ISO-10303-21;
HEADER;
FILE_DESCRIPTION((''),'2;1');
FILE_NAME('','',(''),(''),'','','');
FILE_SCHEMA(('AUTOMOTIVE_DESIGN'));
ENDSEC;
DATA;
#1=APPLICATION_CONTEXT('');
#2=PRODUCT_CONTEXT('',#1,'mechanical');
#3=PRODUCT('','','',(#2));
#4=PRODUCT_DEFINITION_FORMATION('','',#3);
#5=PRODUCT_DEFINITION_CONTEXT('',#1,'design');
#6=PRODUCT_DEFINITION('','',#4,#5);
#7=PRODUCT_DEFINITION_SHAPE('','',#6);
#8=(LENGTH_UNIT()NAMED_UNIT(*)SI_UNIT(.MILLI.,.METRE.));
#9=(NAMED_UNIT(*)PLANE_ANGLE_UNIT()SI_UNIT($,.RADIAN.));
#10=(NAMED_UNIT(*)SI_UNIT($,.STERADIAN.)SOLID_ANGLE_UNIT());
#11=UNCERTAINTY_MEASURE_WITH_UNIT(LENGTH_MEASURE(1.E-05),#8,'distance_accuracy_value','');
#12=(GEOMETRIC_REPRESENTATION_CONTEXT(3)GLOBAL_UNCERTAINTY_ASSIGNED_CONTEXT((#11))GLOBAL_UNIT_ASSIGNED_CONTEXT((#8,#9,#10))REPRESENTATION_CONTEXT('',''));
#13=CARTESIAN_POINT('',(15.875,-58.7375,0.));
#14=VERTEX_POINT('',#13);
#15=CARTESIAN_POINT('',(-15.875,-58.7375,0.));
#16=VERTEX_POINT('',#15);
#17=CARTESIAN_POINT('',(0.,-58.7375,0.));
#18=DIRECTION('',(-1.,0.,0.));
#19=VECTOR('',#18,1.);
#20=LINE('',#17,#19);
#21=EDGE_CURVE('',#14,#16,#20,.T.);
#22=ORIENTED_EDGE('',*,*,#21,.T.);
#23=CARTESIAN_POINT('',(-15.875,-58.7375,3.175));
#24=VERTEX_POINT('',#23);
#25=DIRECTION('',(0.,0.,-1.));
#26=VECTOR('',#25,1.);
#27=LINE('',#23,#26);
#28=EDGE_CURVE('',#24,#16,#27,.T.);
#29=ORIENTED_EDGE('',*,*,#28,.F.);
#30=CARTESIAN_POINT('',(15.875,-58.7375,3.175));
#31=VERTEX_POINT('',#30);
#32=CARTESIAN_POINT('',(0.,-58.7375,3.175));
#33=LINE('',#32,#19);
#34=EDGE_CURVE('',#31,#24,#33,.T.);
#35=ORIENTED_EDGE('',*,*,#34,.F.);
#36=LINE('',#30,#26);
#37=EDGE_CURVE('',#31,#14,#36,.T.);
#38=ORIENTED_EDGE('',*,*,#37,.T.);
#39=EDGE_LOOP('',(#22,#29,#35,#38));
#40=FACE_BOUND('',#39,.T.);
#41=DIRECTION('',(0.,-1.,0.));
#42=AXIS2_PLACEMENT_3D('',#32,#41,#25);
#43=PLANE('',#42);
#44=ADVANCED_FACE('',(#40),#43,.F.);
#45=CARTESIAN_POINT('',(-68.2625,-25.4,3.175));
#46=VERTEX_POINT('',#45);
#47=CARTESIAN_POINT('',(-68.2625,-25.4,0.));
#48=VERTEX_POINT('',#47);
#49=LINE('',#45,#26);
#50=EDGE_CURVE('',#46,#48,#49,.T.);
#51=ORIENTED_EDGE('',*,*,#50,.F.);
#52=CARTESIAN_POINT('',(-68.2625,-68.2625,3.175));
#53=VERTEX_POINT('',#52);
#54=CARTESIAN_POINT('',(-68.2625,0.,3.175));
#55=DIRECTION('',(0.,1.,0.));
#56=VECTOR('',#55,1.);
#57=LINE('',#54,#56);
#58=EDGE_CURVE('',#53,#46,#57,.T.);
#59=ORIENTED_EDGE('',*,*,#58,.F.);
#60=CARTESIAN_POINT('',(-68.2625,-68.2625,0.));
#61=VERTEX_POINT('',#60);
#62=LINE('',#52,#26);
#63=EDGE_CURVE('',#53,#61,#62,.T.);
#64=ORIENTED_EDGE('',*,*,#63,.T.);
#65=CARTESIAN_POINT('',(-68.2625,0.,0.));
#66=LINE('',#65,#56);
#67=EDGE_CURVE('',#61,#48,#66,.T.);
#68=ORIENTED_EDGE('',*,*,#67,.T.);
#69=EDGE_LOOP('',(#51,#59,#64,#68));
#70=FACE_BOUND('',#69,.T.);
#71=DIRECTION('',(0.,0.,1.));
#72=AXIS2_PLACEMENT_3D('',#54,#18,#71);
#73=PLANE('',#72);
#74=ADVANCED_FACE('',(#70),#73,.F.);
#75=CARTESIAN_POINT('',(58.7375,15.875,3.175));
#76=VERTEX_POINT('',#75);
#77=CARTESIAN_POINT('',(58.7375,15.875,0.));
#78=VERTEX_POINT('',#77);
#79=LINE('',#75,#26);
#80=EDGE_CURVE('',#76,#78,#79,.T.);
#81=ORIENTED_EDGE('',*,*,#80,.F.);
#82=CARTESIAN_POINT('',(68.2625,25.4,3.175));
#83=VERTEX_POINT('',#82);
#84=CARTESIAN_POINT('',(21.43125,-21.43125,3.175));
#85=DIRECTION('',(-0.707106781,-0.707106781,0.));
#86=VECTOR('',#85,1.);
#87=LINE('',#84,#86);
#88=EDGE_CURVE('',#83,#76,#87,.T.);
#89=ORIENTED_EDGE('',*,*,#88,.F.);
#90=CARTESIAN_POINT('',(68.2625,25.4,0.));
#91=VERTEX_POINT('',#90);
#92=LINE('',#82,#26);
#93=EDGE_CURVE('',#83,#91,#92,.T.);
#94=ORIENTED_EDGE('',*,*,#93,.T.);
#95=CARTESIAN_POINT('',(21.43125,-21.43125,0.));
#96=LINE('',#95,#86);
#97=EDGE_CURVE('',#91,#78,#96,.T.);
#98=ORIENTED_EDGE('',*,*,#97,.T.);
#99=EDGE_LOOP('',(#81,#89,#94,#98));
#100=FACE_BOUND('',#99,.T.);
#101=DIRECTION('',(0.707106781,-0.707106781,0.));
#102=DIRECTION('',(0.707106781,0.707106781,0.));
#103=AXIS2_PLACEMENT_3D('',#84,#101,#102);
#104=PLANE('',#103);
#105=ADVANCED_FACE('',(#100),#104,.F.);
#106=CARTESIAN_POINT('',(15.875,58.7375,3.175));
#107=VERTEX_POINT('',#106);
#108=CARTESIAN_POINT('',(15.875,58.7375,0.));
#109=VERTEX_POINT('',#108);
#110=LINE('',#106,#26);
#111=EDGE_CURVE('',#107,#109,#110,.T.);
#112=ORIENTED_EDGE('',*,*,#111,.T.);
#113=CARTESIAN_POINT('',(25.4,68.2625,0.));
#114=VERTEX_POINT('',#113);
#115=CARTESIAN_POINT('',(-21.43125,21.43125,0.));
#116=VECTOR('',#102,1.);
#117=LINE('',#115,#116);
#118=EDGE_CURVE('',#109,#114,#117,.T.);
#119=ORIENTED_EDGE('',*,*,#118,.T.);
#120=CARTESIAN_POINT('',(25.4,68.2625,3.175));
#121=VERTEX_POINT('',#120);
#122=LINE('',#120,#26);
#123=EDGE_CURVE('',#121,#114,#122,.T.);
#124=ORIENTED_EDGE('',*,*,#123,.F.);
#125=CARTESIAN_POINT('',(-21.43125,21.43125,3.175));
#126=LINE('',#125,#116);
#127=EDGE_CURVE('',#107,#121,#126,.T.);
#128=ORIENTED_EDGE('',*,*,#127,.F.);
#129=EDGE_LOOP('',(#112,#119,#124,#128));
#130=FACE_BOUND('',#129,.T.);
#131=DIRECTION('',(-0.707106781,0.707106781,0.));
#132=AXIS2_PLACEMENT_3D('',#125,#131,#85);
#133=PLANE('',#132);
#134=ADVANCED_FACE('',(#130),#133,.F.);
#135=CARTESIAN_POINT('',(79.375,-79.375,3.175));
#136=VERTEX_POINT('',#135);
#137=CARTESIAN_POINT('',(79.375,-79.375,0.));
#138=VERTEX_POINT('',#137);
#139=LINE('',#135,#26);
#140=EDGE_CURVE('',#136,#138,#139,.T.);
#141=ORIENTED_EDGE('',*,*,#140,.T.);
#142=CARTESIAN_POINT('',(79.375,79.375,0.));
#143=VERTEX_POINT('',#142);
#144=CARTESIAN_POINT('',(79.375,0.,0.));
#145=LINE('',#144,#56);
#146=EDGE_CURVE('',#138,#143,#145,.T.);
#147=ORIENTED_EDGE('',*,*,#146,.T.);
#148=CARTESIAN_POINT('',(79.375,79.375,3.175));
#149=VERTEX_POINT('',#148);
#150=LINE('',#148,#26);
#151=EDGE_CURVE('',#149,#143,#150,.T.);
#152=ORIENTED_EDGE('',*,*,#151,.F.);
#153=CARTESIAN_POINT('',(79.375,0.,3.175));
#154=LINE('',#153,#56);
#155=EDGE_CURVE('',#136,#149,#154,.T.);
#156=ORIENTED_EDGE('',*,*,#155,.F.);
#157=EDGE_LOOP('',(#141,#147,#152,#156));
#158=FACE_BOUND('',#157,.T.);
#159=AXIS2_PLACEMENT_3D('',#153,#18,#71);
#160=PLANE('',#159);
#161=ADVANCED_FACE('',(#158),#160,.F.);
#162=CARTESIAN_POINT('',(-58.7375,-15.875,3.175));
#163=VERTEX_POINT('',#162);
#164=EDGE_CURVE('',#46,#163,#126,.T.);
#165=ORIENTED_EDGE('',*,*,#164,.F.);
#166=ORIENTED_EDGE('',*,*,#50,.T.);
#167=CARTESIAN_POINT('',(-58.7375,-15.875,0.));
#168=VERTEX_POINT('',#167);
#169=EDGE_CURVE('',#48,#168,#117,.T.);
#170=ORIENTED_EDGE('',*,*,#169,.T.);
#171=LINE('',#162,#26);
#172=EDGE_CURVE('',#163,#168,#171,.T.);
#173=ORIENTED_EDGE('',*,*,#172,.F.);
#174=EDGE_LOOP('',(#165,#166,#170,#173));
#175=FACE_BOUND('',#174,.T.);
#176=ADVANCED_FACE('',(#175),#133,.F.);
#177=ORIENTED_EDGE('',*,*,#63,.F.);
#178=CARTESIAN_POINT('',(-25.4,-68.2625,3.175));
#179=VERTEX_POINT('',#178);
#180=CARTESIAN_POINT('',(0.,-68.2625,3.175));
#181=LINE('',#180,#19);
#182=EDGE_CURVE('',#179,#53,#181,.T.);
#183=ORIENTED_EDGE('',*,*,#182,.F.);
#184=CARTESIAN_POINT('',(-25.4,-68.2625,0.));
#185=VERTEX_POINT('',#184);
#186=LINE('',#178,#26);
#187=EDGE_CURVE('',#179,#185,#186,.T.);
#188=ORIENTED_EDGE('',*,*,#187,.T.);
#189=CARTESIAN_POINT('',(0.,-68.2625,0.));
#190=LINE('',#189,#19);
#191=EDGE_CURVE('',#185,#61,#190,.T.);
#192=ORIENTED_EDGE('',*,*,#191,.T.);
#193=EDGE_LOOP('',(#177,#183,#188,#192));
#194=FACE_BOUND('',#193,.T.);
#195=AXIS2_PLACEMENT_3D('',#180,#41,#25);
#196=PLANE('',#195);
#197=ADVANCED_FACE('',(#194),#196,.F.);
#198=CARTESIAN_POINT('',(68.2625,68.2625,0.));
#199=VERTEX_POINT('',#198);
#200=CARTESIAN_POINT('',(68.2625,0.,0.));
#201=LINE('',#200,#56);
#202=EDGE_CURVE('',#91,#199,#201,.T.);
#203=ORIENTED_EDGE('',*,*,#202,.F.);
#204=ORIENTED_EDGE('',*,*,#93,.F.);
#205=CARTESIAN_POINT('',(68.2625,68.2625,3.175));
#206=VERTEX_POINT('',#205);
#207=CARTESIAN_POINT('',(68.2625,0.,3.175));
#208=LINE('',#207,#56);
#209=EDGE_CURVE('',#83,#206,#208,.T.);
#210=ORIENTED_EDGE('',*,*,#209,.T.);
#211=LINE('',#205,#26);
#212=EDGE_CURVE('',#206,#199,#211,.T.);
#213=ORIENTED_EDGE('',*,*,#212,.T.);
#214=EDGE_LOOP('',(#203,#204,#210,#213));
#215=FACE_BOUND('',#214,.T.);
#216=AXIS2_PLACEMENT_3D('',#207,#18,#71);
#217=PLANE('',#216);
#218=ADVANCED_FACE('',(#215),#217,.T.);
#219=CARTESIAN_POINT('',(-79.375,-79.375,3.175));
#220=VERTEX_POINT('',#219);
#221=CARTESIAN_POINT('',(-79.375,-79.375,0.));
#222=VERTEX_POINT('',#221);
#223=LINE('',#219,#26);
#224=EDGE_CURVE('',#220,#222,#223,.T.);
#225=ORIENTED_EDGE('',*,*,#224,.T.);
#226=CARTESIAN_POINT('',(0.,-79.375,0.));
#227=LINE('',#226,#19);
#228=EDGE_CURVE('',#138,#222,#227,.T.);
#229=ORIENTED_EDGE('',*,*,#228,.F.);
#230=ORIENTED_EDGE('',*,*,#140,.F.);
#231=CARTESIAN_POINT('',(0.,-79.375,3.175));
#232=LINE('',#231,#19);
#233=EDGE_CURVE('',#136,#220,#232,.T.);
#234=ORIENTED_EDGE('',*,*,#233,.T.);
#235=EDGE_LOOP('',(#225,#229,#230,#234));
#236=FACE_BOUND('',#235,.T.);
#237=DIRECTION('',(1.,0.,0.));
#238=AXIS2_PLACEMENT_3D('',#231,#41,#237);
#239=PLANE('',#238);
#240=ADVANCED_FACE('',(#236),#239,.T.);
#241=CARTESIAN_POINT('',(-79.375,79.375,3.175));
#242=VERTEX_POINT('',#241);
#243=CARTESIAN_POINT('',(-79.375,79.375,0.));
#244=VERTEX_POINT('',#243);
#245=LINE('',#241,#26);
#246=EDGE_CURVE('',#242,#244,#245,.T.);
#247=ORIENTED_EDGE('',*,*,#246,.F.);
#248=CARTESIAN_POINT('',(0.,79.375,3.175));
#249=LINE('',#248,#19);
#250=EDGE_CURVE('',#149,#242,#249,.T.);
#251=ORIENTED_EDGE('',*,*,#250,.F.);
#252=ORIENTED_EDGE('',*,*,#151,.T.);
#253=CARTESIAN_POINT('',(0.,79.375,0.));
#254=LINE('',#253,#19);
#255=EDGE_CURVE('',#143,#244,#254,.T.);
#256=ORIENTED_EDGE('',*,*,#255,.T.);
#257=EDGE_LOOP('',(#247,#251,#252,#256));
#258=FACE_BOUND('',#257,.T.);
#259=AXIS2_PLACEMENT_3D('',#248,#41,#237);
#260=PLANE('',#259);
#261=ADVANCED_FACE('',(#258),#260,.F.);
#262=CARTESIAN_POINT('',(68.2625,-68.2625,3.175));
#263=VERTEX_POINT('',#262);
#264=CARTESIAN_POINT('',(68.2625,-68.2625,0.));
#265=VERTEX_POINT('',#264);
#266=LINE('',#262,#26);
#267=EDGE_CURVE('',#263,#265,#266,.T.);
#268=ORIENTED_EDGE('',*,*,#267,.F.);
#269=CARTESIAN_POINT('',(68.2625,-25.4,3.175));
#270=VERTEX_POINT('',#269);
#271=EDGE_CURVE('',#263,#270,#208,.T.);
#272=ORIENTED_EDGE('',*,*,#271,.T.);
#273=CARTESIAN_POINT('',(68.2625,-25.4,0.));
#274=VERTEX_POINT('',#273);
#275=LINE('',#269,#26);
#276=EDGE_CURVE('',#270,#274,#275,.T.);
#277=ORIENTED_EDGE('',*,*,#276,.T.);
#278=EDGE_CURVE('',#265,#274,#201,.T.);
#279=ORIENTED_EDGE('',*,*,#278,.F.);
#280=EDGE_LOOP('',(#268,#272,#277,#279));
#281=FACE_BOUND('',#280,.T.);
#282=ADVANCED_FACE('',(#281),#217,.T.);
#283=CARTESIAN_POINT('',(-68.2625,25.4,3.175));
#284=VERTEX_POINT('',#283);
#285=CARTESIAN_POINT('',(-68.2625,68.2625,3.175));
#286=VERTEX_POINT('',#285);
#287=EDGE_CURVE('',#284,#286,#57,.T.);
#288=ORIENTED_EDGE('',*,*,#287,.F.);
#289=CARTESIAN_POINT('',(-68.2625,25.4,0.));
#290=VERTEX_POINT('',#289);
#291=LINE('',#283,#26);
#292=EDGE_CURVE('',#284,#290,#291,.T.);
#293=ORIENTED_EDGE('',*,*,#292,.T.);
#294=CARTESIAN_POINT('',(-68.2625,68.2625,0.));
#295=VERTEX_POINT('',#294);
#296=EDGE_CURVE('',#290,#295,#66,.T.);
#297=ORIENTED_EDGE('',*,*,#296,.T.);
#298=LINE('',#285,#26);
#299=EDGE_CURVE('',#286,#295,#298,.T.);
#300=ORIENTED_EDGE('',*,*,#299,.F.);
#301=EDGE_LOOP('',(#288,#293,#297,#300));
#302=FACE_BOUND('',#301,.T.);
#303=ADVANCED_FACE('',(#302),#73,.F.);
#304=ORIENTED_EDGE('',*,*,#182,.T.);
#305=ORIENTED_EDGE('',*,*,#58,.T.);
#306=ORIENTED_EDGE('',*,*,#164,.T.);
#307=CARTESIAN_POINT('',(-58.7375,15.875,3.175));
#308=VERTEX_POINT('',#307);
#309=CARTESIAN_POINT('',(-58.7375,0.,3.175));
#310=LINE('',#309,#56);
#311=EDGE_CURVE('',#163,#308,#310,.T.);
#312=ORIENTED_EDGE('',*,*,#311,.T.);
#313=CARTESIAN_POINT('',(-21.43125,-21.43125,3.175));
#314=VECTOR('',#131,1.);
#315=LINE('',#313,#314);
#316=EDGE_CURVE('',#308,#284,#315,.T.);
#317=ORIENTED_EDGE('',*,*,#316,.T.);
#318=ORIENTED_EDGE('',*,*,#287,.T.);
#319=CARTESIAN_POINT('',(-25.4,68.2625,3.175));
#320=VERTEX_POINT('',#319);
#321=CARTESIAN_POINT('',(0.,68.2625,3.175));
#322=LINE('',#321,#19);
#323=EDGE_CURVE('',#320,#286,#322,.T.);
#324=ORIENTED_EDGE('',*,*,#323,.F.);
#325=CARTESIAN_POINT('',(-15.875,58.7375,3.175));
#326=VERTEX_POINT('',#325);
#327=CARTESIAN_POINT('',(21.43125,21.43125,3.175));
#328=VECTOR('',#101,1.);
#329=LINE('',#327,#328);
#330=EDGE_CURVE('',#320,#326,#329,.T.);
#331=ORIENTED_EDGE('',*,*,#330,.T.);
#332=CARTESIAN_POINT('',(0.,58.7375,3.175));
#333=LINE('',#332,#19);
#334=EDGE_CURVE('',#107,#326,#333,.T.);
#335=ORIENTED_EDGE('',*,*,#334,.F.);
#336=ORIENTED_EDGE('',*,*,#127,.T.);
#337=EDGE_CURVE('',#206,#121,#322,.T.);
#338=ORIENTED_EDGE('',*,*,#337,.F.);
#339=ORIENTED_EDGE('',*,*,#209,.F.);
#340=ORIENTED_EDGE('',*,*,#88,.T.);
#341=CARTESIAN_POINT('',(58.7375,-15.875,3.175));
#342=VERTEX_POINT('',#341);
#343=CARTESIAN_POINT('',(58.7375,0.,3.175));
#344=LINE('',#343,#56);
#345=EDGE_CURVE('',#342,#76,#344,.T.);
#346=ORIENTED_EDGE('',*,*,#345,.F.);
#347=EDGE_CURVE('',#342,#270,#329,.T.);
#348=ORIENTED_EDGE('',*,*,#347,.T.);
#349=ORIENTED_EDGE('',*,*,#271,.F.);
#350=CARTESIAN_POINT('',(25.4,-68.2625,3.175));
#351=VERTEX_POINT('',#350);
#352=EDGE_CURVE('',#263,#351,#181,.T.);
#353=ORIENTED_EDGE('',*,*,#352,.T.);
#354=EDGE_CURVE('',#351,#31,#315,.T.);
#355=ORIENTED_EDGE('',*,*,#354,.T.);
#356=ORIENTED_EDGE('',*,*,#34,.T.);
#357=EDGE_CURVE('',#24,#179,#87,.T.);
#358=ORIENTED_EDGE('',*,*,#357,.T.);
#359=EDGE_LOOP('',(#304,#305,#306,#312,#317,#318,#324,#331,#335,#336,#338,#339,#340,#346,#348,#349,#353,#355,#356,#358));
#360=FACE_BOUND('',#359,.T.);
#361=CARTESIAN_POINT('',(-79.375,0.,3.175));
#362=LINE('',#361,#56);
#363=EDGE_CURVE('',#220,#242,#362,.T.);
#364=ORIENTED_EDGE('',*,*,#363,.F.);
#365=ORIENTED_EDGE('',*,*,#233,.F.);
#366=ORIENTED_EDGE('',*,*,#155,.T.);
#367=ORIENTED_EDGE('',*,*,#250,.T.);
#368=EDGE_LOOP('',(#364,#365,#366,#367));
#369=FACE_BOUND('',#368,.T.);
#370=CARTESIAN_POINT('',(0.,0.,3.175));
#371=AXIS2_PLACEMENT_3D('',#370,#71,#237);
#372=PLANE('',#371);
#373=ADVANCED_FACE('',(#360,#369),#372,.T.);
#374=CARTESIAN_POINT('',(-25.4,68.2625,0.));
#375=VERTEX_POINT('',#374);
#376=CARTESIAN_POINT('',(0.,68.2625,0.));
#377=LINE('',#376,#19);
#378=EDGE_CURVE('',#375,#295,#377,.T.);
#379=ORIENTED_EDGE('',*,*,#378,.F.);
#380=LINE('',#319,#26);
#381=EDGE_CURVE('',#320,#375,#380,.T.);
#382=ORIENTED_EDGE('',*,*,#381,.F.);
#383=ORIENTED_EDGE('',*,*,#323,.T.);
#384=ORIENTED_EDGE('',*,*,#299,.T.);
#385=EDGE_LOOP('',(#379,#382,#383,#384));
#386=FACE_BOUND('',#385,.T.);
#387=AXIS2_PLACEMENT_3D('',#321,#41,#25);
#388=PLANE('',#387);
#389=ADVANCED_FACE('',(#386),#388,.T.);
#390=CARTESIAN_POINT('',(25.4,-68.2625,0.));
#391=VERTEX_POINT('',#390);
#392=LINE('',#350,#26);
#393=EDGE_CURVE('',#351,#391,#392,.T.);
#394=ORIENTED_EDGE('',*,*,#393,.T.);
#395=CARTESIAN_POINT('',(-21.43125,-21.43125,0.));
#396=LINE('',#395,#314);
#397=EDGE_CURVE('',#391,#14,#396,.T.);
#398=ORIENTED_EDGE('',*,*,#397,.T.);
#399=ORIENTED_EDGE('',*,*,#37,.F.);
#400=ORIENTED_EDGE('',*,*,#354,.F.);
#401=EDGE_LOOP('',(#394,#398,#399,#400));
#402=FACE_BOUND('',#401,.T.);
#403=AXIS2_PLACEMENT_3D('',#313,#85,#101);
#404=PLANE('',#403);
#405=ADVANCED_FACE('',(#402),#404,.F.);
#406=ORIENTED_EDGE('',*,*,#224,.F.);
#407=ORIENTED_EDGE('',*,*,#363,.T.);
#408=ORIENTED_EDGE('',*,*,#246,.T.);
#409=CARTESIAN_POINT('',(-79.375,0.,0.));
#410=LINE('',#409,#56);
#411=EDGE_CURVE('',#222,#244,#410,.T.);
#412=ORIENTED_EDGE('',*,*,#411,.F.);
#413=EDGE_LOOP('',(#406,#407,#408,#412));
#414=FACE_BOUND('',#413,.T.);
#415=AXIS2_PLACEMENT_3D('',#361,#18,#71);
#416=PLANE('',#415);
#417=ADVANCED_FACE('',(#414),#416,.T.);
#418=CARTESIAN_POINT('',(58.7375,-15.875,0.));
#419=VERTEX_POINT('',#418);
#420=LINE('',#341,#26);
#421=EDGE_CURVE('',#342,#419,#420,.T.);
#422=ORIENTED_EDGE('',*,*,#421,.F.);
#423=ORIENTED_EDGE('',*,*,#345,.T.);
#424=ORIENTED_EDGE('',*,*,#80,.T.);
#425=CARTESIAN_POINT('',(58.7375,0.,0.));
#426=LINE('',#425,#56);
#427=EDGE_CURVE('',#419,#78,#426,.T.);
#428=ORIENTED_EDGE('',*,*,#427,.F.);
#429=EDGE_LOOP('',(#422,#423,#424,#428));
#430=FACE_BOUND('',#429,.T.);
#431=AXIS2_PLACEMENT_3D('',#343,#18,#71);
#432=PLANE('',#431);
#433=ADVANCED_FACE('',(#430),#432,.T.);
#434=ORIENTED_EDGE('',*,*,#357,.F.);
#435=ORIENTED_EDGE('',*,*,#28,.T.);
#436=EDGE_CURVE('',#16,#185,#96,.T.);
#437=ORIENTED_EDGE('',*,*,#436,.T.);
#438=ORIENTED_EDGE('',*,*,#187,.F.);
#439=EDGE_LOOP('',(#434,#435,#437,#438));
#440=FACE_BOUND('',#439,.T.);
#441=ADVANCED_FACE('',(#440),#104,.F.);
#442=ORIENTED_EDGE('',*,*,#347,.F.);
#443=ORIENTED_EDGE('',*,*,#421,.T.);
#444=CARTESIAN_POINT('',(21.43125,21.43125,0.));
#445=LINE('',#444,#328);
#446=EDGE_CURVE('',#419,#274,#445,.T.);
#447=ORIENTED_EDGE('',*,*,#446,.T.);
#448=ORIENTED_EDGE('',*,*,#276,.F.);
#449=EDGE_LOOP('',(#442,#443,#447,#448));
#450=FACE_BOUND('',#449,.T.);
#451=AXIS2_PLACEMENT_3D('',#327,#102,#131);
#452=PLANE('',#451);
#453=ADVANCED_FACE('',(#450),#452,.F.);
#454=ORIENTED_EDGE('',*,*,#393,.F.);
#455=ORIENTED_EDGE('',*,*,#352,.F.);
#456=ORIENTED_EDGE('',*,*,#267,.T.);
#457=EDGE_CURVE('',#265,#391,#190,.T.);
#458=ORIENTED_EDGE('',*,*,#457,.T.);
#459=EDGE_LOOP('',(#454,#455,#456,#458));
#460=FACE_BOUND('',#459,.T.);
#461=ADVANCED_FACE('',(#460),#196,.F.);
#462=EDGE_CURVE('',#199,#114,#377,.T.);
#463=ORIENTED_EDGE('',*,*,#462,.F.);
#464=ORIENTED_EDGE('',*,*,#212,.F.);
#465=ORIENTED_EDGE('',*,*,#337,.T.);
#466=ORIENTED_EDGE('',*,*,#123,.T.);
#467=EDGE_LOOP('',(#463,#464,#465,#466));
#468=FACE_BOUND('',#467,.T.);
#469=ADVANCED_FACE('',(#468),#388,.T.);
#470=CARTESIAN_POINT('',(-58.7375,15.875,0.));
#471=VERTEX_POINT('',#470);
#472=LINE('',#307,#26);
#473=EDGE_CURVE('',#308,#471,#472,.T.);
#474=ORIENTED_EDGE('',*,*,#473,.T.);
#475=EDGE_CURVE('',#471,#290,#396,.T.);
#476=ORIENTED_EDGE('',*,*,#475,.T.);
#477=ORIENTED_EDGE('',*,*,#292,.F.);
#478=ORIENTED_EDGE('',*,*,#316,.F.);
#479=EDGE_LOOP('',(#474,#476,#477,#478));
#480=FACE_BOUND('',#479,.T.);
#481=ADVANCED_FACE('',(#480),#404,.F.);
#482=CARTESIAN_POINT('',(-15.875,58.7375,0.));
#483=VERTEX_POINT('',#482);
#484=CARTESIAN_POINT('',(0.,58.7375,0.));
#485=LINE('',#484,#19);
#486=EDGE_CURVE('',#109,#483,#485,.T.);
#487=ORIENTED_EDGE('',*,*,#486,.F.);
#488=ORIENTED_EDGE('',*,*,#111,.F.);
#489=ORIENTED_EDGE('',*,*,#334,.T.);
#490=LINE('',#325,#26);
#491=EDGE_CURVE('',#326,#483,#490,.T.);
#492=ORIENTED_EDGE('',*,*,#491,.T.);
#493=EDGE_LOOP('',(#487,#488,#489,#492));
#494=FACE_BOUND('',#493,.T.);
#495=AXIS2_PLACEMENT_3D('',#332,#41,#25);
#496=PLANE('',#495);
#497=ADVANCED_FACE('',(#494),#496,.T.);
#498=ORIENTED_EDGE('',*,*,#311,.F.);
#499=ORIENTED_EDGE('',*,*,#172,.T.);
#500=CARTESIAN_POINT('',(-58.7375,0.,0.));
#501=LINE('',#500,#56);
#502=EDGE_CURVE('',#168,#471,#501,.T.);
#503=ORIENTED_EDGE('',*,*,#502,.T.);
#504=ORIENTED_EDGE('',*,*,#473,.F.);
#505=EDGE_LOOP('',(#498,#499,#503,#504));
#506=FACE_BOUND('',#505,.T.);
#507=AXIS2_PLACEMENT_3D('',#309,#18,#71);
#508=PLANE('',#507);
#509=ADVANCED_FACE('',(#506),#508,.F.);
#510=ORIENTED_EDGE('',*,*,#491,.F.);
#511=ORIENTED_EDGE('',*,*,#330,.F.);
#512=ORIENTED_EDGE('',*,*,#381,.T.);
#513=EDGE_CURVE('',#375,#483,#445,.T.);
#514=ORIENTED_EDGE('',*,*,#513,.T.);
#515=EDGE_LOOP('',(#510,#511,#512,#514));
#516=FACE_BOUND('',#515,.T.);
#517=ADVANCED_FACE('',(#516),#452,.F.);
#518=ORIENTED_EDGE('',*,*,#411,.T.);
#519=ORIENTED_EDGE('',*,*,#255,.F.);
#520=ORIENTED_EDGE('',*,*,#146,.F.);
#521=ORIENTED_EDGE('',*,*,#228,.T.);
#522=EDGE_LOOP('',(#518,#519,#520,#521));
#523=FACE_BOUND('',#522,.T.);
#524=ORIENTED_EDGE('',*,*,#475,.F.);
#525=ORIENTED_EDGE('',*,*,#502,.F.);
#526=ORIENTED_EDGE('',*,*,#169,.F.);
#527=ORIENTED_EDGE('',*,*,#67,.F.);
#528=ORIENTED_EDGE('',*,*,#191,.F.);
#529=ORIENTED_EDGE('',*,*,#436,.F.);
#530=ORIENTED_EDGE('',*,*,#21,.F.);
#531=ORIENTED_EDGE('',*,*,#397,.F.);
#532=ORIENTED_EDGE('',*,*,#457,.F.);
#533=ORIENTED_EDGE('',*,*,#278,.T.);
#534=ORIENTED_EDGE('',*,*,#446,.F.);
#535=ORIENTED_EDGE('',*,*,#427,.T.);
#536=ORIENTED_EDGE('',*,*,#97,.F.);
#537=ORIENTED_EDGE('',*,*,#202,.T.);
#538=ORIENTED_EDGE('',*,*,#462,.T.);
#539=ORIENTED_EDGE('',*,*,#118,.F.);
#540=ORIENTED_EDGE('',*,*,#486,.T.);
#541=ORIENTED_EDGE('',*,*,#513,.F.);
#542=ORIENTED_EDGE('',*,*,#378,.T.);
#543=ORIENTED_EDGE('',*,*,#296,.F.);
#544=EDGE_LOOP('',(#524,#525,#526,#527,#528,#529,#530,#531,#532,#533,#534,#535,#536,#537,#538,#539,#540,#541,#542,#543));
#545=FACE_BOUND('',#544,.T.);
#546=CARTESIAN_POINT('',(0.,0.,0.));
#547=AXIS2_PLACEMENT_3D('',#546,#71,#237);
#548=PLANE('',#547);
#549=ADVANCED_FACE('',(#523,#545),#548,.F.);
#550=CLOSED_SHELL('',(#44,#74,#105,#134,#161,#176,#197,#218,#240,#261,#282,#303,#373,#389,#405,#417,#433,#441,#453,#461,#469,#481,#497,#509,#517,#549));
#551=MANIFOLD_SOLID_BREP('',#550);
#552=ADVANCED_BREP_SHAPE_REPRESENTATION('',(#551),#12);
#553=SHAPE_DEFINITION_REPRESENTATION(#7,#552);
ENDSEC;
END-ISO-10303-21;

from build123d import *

# Parameters (mm, degrees)
SKETCH1_W           = 158.75
SKETCH1_H           = 158.75
SKETCH1_W_2         = 136.525
SKETCH1_H_2         = 136.525
BOSS_EXTRUDE1_DEPTH = 3.175


with BuildPart() as part:
    # Sketch1 → Boss-Extrude1 (new body)
    with BuildSketch(Plane.XY):
        Rectangle(SKETCH1_W, SKETCH1_H)
        Rectangle(SKETCH1_W_2, SKETCH1_H_2, mode=Mode.SUBTRACT)
        Polygon((25.4, 68.2625), (-25.4, 68.2625), (-15.875, 58.7375), (15.875, 58.7375), align=None)
        Polygon((68.2625, -25.4), (68.2625, 25.4), (58.7375, 15.875), (58.7375, -15.875), align=None)
        Polygon((-15.875, -58.7375), (-25.4, -68.2625), (25.4, -68.2625), (15.875, -58.7375), align=None)
        Polygon((-58.7375, 15.875), (-68.2625, 25.4), (-68.2625, -25.4), (-58.7375, -15.875), align=None)
    extrude(amount=BOSS_EXTRUDE1_DEPTH)


solid = part.part
